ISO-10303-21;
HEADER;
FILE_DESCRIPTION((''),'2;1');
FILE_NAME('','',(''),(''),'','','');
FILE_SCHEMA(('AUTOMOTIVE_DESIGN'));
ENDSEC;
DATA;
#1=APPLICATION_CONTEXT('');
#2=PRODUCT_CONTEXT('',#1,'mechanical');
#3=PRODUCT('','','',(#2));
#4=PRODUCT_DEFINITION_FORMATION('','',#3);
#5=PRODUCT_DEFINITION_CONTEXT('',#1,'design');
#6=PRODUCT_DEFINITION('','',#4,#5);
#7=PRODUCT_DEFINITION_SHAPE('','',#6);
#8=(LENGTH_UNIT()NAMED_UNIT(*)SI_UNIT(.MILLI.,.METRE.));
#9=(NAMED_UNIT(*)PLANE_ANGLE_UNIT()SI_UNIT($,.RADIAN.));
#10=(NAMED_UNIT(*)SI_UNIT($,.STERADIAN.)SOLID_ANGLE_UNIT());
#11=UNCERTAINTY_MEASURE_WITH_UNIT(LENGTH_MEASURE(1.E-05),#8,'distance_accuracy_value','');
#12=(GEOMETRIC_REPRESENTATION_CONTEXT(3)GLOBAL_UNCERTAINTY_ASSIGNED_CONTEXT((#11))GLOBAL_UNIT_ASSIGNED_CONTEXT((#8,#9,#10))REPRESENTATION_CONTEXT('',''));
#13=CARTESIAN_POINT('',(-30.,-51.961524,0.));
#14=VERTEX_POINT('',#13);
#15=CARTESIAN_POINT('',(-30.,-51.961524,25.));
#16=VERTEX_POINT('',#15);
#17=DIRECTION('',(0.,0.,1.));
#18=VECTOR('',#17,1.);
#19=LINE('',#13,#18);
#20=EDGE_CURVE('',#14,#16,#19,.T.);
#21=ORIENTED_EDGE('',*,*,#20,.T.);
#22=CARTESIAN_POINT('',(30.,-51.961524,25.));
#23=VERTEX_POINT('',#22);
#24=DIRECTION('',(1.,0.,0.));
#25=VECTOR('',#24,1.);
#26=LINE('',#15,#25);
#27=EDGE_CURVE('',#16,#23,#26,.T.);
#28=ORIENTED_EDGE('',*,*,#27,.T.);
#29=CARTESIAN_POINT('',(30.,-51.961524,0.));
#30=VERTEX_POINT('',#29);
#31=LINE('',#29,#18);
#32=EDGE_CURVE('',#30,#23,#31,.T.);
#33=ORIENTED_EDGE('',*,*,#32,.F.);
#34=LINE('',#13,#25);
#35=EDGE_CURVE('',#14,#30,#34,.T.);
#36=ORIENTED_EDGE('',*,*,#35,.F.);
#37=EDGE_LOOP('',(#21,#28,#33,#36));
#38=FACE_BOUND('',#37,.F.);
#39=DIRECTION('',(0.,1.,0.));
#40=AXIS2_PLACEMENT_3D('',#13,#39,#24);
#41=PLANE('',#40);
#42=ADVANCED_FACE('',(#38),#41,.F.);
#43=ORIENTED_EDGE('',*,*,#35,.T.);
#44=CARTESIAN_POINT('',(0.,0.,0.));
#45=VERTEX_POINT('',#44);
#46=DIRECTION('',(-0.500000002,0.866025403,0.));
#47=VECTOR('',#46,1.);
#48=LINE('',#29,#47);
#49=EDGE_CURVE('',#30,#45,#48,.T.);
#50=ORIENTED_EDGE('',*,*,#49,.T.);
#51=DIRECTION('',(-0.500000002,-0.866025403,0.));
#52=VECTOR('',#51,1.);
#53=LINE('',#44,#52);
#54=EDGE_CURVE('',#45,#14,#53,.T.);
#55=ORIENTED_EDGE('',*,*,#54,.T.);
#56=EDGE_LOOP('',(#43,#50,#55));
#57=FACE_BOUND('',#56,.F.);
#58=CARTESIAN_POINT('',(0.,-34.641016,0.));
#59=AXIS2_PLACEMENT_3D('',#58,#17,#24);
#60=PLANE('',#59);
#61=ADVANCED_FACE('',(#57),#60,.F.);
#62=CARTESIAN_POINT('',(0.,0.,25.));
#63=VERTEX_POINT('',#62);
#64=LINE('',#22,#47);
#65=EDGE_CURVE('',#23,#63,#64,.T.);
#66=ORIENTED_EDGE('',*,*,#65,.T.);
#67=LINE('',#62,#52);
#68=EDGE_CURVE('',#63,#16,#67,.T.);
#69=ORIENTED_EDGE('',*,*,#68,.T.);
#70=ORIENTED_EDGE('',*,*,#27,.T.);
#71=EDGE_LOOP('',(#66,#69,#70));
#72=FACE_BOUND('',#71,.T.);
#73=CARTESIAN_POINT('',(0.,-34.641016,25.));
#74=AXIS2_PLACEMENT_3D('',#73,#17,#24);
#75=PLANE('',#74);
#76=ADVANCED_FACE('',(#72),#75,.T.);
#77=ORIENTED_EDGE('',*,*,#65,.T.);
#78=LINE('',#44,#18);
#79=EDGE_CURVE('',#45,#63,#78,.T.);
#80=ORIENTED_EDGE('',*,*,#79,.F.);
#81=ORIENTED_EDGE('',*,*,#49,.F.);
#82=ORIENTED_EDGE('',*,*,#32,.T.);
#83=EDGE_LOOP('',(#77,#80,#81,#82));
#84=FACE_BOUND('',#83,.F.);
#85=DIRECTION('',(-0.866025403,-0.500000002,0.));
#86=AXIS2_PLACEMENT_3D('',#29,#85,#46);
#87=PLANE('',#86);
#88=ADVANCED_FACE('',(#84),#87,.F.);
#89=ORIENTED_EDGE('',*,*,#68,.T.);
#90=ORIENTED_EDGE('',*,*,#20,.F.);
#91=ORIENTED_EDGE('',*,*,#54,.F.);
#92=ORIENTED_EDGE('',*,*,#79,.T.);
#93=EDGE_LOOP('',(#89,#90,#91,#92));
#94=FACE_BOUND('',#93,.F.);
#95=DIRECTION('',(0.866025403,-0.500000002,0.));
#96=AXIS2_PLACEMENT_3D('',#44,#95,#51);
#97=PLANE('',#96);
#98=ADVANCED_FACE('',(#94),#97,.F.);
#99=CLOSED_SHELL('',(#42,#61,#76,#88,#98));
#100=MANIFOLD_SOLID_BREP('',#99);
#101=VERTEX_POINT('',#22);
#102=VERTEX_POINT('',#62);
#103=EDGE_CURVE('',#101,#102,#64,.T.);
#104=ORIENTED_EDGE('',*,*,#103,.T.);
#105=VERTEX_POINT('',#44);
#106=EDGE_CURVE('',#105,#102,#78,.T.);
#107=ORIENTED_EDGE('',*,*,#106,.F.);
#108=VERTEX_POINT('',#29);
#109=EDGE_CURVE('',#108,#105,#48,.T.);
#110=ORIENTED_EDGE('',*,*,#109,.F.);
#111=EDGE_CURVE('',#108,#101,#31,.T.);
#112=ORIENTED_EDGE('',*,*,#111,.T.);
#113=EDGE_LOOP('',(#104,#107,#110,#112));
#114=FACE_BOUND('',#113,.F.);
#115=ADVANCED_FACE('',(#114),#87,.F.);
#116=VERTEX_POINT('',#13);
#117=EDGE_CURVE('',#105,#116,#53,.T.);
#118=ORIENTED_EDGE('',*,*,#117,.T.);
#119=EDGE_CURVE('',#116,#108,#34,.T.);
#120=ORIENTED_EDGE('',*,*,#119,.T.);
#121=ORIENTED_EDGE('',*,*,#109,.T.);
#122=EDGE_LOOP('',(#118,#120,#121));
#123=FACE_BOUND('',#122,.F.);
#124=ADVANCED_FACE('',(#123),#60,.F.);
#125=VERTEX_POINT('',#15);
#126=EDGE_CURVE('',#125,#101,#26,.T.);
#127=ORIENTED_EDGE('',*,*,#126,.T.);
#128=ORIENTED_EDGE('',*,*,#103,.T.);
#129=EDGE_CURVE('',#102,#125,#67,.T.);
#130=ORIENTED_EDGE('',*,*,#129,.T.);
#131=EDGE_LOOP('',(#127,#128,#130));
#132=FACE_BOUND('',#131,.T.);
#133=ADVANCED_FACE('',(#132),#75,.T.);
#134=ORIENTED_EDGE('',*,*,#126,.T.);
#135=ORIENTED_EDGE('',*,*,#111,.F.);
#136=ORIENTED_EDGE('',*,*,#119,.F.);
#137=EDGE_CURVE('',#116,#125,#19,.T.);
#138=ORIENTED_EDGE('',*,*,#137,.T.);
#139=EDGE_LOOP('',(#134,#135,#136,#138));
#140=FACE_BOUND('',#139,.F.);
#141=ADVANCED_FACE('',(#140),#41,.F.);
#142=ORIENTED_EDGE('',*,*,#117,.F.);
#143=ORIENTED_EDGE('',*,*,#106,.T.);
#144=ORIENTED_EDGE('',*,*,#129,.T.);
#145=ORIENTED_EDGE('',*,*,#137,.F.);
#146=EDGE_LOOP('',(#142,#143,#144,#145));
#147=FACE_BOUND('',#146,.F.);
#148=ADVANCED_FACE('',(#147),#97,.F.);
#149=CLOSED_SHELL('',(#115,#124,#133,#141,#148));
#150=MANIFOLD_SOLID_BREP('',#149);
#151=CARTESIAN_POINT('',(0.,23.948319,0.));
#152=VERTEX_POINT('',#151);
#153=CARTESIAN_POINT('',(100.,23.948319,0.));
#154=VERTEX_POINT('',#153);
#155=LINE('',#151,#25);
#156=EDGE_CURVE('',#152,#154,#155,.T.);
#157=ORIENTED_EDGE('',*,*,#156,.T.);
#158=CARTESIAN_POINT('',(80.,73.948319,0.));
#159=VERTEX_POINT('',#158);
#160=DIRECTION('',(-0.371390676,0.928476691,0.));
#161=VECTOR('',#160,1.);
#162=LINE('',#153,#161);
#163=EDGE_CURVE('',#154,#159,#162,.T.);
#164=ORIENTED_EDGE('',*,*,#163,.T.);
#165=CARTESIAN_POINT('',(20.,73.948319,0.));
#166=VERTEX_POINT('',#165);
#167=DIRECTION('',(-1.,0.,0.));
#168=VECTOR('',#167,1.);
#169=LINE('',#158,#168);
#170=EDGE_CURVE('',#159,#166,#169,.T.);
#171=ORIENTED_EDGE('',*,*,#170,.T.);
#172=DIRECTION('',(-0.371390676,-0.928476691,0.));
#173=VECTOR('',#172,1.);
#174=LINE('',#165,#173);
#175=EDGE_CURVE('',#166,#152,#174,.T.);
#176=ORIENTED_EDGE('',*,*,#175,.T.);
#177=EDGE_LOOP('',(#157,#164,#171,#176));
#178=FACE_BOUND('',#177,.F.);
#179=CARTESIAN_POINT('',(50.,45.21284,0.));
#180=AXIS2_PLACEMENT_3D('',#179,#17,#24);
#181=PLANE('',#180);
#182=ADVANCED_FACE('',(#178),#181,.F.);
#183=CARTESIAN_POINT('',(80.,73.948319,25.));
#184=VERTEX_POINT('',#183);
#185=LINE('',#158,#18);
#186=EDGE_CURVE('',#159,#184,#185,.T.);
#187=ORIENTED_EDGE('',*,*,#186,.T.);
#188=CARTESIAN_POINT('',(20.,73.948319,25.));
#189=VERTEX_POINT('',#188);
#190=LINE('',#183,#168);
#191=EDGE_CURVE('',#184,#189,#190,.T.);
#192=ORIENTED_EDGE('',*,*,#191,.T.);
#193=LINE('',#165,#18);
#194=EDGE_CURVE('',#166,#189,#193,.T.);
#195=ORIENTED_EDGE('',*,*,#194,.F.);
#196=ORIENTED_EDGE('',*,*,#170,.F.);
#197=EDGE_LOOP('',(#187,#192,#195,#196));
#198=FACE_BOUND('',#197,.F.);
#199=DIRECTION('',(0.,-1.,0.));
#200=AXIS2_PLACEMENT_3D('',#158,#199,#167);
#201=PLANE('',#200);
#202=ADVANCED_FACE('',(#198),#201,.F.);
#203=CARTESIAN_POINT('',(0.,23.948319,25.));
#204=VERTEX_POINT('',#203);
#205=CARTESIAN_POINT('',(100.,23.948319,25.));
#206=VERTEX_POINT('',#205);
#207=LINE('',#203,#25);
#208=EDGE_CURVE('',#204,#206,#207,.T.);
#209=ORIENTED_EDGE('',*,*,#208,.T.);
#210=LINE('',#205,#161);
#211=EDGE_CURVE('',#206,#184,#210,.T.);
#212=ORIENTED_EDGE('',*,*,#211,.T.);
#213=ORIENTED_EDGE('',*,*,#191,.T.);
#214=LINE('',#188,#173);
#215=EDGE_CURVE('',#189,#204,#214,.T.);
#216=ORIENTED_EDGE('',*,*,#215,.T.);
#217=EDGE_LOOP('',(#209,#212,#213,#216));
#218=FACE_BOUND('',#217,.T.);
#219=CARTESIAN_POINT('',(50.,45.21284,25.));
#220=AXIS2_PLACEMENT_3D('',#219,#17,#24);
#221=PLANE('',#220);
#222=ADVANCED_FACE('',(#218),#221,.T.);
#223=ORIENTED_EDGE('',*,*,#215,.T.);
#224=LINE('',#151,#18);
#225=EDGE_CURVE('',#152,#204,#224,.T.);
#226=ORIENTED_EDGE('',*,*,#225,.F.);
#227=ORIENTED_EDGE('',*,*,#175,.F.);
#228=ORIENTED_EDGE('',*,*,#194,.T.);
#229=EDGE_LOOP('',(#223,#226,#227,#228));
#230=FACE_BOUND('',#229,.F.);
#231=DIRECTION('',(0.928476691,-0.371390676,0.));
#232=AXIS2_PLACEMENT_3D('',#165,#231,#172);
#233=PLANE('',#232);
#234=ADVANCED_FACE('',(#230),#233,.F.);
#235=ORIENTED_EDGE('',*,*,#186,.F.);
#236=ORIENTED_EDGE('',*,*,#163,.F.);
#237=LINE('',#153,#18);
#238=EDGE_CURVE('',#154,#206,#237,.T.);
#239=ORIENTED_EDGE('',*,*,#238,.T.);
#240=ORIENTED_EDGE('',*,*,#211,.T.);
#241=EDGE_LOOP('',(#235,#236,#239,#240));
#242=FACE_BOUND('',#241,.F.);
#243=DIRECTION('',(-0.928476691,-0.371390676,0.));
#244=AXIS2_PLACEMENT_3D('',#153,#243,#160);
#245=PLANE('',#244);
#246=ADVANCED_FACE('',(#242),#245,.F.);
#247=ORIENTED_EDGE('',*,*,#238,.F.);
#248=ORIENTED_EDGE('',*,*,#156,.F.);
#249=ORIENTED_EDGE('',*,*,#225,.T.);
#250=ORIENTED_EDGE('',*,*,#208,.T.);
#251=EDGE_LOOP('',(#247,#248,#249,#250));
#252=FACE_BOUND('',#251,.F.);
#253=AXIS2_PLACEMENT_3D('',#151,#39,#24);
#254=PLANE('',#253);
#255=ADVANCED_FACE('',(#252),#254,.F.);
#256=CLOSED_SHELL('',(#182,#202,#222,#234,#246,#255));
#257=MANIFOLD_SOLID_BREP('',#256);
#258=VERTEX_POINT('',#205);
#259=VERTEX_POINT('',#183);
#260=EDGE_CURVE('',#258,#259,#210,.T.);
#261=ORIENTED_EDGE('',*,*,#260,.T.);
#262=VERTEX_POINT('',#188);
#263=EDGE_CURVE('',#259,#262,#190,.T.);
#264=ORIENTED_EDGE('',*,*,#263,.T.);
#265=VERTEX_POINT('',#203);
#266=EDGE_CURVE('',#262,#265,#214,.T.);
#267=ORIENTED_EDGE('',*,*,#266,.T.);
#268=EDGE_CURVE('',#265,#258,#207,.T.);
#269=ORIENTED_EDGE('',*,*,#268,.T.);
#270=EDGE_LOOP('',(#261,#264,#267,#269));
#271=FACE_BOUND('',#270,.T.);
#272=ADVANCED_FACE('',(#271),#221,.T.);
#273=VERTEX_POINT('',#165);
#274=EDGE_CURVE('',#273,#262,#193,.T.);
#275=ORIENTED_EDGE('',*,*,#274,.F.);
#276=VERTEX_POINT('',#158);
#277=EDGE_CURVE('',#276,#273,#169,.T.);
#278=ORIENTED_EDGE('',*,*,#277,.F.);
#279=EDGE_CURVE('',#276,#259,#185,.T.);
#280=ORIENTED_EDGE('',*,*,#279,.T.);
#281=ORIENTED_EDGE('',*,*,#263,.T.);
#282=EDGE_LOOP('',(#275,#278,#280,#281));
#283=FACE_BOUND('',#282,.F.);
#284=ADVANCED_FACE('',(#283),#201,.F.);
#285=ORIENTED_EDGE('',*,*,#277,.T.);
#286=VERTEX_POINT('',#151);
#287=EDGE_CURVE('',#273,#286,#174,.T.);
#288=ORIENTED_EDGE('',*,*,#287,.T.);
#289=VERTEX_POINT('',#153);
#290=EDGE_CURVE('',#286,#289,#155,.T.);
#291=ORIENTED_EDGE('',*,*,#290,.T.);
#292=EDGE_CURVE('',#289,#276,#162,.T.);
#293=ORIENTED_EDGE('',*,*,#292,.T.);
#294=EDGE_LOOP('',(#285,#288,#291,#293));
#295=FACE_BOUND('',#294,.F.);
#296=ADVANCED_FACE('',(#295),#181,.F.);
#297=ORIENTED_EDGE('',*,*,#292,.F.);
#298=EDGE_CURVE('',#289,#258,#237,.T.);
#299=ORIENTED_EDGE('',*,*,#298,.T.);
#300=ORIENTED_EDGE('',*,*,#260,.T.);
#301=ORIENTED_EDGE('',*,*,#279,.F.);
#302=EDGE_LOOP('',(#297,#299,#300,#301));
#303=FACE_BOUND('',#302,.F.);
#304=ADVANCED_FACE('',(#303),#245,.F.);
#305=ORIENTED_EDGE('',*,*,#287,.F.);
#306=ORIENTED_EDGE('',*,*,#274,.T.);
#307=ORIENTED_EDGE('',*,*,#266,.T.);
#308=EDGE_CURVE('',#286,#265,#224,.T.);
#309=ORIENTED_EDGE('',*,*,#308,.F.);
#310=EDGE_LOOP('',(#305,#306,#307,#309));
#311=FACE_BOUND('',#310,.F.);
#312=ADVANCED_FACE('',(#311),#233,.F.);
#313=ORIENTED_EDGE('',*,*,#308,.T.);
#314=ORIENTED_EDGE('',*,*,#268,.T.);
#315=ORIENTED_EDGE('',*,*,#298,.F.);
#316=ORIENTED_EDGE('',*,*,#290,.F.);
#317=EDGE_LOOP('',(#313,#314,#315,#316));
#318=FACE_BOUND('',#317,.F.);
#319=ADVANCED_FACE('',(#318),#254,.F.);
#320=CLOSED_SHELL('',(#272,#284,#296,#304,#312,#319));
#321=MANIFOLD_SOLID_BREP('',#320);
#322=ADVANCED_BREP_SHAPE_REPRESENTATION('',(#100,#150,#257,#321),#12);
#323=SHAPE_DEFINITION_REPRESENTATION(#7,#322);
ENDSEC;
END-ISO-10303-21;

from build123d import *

# Parameters (mm, degrees)
F1_DEPTH = 25
F2_DEPTH = 25


with BuildPart() as f1:
    # F0 (on Top) → F1 (new body)
    with BuildSketch(Plane.XY):
        Polygon((30, -51.961524), (0, 0), (-30, -51.961524), align=None)
        Polygon((20, 73.948319), (0, 23.948319), (100, 23.948319), (80, 73.948319), align=None)
    extrude(amount=F1_DEPTH)


with BuildPart() as f2:
    # F0 (on Top) → F2 (new body)
    with BuildSketch(Plane.XY):
        Polygon((30, -51.961524), (0, 0), (-30, -51.961524), align=None)
        Polygon((20, 73.948319), (0, 23.948319), (100, 23.948319), (80, 73.948319), align=None)
    extrude(amount=F2_DEPTH)


solid = Compound([f1.part, f2.part])
